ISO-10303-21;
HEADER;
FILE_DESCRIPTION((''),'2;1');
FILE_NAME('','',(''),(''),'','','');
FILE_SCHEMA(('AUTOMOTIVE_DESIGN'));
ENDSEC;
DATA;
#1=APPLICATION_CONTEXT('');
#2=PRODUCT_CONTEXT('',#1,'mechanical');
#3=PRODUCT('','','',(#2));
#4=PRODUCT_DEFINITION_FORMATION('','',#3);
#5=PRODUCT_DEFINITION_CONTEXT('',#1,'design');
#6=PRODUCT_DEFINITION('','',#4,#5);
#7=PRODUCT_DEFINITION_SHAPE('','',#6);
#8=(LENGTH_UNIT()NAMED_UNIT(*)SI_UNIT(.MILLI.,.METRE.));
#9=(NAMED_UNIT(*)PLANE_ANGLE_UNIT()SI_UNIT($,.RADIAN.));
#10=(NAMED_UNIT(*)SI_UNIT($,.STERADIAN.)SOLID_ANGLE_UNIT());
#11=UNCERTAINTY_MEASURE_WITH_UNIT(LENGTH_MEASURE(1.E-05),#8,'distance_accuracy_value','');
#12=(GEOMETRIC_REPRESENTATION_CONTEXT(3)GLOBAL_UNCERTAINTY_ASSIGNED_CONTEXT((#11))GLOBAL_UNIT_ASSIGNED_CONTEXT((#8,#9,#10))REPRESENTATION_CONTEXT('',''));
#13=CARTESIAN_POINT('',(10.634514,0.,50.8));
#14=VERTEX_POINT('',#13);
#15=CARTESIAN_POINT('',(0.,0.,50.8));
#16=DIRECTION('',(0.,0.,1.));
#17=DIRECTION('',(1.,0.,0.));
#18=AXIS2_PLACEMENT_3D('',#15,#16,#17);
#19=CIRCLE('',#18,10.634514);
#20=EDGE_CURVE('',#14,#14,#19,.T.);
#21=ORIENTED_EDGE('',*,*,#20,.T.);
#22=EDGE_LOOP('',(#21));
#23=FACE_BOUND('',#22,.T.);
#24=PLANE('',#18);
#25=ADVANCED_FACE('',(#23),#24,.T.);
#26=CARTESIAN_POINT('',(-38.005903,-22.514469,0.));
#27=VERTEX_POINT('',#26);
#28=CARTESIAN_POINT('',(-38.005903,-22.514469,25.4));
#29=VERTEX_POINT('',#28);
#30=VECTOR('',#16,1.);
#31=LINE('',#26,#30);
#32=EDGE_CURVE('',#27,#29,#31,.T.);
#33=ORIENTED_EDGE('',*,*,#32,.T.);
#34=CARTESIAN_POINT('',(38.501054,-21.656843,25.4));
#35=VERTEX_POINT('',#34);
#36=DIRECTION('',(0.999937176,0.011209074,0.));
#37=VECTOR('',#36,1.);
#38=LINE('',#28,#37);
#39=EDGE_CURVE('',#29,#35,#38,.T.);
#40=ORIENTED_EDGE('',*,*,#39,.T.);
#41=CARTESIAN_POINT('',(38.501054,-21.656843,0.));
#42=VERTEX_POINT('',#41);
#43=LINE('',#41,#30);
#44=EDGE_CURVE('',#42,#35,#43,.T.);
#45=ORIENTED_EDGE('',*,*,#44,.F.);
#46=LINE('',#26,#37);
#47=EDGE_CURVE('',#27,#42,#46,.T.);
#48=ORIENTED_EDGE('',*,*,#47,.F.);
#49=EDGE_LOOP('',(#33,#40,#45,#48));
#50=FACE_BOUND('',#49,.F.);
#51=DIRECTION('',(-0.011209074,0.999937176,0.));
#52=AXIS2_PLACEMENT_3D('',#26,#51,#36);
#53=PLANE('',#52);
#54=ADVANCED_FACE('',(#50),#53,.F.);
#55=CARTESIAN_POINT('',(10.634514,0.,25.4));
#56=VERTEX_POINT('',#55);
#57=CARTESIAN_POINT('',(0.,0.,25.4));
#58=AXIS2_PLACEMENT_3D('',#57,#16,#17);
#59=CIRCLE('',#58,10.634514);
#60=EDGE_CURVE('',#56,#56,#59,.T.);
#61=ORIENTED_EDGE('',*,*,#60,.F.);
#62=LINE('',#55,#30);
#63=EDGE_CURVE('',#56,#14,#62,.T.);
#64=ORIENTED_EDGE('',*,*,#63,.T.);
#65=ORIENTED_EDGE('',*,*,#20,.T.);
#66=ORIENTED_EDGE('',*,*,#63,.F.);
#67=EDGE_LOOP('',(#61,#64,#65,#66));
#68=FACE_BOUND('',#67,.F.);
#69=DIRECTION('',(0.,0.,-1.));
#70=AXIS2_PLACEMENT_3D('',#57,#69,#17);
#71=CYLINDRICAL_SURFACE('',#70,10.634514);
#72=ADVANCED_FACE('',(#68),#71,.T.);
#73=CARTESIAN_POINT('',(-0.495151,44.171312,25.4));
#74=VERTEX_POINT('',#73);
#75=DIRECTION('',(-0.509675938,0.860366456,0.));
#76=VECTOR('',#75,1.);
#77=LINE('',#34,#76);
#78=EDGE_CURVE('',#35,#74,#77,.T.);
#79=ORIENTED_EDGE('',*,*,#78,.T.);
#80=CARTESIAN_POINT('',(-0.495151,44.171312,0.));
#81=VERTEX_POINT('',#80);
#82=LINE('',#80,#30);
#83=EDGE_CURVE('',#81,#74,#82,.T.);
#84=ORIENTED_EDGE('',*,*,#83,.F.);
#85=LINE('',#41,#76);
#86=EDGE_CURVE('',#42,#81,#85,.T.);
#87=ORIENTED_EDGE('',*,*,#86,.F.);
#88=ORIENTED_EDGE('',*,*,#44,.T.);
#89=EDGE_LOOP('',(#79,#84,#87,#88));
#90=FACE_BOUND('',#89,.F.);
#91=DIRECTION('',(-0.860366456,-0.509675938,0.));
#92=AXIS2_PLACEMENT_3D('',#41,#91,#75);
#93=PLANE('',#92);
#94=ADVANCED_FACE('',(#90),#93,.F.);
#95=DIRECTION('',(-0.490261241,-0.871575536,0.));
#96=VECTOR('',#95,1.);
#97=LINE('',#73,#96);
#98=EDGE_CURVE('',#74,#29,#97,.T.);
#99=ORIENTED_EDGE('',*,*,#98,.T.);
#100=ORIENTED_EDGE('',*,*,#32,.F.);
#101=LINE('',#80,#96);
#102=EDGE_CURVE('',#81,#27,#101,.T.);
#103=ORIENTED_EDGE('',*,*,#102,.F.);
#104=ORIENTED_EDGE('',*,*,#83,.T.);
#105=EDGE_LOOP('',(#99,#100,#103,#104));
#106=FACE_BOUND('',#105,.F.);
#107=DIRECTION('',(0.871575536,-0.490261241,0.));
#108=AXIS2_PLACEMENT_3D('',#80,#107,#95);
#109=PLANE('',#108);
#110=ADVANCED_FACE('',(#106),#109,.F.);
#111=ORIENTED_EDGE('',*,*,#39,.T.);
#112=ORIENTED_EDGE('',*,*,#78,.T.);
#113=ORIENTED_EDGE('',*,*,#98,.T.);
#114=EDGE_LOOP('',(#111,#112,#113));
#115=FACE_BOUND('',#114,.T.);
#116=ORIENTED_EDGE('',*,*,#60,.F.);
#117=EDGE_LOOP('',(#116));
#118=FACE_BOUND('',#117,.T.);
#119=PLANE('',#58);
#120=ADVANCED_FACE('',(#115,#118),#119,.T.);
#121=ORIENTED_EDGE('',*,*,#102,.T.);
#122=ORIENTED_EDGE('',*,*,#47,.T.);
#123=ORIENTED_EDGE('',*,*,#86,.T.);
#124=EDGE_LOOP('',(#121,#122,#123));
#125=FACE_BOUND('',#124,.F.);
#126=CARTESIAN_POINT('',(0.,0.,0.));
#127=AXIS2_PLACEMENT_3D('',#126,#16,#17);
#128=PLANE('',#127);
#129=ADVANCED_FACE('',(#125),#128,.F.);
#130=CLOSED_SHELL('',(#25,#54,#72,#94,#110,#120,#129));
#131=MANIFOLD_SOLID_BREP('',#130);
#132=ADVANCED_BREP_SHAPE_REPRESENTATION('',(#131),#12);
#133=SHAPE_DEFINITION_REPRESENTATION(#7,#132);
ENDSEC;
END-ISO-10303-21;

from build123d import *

# Parameters (mm, degrees)
F1_DEPTH = 25.4
F2_R     = 10.634514
F3_DEPTH = 25.4
F4_R     = 5.192433
F5_DEPTH = 50.8


with BuildPart() as f1:
    # F0 (on Top) → F1 (new body)
    with BuildSketch(Plane.XY):
        Polygon((-0.495151, 44.171312), (-38.005903, -22.514469), (38.501054, -21.656843), align=None)
    extrude(amount=F1_DEPTH)

    # F2 (on face) → F3 (join)
    with BuildSketch(Plane.XY.offset(25.4)):
        Circle(F2_R)
    extrude(amount=F3_DEPTH)

    # F4 (on face) → F5 (join)
    with BuildSketch(Plane.XY.offset(50.8)):
        Circle(F4_R)
    extrude(amount=-F5_DEPTH)


solid = f1.part
